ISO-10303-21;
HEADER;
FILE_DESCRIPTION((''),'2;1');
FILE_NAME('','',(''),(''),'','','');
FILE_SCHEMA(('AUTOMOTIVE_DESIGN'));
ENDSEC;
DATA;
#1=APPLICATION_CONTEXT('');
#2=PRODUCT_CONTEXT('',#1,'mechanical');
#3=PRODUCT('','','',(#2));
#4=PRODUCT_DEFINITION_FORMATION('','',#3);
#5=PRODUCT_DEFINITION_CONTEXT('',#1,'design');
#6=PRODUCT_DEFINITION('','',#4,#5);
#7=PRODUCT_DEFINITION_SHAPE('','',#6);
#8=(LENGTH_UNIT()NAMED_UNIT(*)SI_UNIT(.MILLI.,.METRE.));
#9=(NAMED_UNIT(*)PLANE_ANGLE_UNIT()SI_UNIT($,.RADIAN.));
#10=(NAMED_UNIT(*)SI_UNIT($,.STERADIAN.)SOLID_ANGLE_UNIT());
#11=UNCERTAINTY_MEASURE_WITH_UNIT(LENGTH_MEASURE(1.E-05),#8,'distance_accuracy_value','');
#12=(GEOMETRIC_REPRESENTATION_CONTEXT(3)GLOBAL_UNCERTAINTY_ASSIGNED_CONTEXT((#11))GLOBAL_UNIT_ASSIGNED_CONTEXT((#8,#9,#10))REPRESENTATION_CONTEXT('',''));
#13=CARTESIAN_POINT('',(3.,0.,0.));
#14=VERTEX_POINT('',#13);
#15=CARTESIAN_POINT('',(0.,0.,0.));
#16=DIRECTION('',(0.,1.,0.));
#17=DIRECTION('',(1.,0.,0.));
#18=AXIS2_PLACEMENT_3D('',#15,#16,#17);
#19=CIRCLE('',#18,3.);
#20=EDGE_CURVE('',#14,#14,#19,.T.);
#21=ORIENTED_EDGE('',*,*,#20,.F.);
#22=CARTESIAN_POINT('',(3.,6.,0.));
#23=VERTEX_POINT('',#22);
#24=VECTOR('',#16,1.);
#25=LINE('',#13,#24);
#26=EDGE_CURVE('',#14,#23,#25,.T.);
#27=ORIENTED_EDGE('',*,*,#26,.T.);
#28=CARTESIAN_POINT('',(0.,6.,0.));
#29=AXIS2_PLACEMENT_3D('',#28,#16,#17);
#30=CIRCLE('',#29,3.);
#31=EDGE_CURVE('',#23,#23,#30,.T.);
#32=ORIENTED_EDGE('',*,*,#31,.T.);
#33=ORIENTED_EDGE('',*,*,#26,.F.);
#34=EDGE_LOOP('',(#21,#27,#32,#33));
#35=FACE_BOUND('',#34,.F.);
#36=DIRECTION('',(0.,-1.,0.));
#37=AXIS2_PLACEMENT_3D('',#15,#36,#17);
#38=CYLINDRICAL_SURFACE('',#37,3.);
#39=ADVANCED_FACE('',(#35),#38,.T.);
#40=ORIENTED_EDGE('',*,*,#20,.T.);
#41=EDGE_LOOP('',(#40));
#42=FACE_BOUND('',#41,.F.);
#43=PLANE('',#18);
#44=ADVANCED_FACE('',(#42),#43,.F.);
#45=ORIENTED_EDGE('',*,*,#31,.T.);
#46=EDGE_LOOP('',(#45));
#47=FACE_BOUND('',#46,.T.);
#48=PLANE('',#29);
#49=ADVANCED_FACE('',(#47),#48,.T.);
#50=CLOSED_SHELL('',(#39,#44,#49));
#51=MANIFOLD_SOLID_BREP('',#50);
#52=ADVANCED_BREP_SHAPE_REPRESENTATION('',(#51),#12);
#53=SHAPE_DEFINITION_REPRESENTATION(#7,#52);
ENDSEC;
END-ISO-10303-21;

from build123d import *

# Parameters (mm, degrees)
SKETCH1_R           = 3
BOSS_EXTRUDE1_DEPTH = 6


with BuildPart() as part:
    # Sketch1 → Boss-Extrude1 (new body)
    with BuildSketch(Plane(origin=(0, 0, 0), x_dir=(1, 0, 0), z_dir=(0, 1, 0))):
        Circle(SKETCH1_R)
    extrude(amount=BOSS_EXTRUDE1_DEPTH)


solid = part.part
